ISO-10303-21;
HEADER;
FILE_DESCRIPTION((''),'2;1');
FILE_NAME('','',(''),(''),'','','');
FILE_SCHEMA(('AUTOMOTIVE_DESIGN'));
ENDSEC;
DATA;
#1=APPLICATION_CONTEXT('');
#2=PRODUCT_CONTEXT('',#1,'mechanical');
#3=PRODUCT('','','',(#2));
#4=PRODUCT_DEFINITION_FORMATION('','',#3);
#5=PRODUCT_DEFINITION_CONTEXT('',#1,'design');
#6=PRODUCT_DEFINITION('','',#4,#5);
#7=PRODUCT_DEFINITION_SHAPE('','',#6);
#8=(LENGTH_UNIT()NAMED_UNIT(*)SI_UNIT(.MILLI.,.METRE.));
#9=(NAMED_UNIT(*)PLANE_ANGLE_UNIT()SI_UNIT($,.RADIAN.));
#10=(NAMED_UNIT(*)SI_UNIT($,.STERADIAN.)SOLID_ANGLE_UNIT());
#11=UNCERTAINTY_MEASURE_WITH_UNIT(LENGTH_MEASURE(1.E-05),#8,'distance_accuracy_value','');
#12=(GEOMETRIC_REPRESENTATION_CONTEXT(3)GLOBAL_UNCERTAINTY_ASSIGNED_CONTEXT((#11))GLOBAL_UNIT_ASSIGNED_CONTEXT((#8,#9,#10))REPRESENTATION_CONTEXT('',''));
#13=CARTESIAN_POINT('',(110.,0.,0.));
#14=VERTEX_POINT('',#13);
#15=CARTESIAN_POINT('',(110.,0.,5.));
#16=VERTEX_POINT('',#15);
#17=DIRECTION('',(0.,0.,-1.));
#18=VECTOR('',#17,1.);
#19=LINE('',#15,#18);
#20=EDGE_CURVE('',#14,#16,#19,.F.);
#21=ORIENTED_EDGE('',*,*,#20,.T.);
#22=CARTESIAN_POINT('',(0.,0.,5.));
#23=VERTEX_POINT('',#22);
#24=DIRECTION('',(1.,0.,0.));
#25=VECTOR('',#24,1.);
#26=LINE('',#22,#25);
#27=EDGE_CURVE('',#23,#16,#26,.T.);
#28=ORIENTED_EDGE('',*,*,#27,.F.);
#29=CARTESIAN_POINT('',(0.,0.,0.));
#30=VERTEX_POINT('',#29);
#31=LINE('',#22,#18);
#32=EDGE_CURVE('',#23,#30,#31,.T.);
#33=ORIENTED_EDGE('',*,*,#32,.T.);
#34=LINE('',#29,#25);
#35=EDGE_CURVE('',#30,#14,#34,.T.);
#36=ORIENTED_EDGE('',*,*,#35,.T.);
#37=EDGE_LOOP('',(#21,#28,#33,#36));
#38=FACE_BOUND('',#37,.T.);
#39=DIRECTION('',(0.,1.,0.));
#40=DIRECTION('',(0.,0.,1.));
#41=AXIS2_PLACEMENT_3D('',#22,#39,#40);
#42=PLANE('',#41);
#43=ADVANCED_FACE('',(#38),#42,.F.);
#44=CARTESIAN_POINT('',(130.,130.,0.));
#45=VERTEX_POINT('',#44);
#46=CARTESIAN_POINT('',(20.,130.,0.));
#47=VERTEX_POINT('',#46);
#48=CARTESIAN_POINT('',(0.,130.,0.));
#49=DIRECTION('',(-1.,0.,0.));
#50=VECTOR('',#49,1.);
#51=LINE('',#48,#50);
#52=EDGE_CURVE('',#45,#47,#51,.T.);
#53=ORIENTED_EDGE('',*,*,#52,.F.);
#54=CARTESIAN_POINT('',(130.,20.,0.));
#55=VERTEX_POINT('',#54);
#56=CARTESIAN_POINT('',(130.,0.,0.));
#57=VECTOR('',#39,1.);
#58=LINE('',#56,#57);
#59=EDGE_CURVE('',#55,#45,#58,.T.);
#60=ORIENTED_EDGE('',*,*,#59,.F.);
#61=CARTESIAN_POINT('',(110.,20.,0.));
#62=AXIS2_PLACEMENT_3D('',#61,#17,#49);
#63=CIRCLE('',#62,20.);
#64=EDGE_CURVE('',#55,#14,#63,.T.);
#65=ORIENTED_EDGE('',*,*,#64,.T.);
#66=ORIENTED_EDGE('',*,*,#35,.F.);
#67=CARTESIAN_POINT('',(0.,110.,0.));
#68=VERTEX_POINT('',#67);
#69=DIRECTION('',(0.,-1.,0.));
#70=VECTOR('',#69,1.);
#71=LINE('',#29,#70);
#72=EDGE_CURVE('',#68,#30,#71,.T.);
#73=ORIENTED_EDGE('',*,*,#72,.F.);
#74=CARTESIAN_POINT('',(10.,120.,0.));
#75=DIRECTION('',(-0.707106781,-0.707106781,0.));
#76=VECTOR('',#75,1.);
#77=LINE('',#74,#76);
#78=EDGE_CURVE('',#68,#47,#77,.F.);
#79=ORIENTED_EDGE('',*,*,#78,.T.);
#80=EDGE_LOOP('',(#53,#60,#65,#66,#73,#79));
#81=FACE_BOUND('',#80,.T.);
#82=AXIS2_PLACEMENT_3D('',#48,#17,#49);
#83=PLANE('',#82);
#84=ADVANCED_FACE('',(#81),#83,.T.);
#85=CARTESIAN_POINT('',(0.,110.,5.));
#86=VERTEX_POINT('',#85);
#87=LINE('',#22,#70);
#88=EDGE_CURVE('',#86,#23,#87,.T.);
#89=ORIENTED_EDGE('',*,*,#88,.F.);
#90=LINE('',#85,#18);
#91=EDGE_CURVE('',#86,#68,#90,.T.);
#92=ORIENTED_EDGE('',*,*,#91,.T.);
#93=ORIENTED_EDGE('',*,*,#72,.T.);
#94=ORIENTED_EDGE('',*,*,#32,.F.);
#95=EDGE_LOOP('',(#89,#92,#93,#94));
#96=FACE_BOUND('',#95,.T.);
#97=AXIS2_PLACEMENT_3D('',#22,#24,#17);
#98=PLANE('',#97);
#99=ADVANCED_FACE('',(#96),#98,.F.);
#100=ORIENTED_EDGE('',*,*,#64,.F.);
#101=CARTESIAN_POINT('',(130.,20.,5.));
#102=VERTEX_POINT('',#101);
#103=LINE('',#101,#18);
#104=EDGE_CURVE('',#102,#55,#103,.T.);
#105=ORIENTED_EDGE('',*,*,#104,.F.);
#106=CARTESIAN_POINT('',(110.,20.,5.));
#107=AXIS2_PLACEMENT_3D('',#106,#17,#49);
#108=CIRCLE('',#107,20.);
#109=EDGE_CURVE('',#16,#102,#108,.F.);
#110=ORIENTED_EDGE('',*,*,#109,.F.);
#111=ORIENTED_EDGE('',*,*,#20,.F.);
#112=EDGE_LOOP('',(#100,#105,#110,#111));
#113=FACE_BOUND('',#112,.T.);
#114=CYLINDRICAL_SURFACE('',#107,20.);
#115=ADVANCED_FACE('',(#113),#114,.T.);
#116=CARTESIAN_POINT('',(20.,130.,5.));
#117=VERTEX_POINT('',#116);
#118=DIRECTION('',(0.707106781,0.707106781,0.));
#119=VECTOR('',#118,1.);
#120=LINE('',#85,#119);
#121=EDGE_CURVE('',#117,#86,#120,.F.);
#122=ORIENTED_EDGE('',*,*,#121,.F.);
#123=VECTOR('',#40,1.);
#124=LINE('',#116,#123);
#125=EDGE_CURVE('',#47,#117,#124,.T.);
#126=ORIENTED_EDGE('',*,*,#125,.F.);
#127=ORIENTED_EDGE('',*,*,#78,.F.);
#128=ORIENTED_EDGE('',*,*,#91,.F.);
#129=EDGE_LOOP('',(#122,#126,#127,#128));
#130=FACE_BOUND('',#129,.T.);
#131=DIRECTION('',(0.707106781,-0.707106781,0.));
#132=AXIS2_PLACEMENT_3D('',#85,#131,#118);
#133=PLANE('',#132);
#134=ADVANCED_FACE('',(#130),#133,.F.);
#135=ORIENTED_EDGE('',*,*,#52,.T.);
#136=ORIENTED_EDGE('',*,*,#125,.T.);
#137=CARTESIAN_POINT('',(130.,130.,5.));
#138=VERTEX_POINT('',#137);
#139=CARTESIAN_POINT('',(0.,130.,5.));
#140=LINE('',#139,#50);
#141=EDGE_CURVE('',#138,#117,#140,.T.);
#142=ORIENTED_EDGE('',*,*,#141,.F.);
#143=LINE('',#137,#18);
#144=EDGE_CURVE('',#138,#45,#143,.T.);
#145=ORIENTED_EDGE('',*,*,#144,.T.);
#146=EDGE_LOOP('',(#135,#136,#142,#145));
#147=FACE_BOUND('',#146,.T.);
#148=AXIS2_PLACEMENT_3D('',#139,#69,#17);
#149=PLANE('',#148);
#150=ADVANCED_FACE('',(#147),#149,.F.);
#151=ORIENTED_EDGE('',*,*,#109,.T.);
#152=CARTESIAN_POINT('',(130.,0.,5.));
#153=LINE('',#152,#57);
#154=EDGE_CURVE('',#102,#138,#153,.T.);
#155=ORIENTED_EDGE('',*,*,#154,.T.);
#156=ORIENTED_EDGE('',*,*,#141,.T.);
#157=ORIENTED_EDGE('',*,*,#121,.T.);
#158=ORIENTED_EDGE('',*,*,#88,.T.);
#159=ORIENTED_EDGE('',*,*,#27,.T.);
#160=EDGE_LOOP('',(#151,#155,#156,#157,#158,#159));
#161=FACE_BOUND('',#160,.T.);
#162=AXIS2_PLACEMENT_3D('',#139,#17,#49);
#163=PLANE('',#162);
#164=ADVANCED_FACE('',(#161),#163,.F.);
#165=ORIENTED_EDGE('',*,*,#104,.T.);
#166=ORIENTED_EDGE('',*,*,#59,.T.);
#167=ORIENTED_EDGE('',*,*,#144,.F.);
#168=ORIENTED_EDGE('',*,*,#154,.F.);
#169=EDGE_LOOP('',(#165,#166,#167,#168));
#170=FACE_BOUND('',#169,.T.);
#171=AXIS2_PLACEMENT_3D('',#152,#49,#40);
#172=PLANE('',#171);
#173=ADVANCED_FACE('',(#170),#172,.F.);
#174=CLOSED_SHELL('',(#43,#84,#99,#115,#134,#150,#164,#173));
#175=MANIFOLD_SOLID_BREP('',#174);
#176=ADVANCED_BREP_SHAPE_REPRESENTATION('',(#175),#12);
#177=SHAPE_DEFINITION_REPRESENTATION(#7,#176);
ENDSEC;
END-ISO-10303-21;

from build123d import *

# Parameters (mm, degrees)
SKETCH1_W           = 130
SKETCH1_H           = 130
BOSS_EXTRUDE1_DEPTH = 5
FILLET1_R           = 20
CHAMFER1_SIZE       = 20


with BuildPart() as part:
    # Sketch1 → Boss-Extrude1 (new body)
    with BuildSketch(Plane.XY):
        with Locations((65, 65)):
            Rectangle(SKETCH1_W, SKETCH1_H)
    extrude(amount=BOSS_EXTRUDE1_DEPTH)

    # Fillet1
    fillet1_edges = [part.edges().sort_by_distance(p)[0] for p in [
        (130, 0, 2.5),
    ]]
    fillet(fillet1_edges, radius=FILLET1_R)

    # Chamfer1
    chamfer1_edges = [part.edges().sort_by_distance(p)[0] for p in [
        (0, 130, 2.5),
    ]]
    chamfer(chamfer1_edges, length=CHAMFER1_SIZE)


solid = part.part
